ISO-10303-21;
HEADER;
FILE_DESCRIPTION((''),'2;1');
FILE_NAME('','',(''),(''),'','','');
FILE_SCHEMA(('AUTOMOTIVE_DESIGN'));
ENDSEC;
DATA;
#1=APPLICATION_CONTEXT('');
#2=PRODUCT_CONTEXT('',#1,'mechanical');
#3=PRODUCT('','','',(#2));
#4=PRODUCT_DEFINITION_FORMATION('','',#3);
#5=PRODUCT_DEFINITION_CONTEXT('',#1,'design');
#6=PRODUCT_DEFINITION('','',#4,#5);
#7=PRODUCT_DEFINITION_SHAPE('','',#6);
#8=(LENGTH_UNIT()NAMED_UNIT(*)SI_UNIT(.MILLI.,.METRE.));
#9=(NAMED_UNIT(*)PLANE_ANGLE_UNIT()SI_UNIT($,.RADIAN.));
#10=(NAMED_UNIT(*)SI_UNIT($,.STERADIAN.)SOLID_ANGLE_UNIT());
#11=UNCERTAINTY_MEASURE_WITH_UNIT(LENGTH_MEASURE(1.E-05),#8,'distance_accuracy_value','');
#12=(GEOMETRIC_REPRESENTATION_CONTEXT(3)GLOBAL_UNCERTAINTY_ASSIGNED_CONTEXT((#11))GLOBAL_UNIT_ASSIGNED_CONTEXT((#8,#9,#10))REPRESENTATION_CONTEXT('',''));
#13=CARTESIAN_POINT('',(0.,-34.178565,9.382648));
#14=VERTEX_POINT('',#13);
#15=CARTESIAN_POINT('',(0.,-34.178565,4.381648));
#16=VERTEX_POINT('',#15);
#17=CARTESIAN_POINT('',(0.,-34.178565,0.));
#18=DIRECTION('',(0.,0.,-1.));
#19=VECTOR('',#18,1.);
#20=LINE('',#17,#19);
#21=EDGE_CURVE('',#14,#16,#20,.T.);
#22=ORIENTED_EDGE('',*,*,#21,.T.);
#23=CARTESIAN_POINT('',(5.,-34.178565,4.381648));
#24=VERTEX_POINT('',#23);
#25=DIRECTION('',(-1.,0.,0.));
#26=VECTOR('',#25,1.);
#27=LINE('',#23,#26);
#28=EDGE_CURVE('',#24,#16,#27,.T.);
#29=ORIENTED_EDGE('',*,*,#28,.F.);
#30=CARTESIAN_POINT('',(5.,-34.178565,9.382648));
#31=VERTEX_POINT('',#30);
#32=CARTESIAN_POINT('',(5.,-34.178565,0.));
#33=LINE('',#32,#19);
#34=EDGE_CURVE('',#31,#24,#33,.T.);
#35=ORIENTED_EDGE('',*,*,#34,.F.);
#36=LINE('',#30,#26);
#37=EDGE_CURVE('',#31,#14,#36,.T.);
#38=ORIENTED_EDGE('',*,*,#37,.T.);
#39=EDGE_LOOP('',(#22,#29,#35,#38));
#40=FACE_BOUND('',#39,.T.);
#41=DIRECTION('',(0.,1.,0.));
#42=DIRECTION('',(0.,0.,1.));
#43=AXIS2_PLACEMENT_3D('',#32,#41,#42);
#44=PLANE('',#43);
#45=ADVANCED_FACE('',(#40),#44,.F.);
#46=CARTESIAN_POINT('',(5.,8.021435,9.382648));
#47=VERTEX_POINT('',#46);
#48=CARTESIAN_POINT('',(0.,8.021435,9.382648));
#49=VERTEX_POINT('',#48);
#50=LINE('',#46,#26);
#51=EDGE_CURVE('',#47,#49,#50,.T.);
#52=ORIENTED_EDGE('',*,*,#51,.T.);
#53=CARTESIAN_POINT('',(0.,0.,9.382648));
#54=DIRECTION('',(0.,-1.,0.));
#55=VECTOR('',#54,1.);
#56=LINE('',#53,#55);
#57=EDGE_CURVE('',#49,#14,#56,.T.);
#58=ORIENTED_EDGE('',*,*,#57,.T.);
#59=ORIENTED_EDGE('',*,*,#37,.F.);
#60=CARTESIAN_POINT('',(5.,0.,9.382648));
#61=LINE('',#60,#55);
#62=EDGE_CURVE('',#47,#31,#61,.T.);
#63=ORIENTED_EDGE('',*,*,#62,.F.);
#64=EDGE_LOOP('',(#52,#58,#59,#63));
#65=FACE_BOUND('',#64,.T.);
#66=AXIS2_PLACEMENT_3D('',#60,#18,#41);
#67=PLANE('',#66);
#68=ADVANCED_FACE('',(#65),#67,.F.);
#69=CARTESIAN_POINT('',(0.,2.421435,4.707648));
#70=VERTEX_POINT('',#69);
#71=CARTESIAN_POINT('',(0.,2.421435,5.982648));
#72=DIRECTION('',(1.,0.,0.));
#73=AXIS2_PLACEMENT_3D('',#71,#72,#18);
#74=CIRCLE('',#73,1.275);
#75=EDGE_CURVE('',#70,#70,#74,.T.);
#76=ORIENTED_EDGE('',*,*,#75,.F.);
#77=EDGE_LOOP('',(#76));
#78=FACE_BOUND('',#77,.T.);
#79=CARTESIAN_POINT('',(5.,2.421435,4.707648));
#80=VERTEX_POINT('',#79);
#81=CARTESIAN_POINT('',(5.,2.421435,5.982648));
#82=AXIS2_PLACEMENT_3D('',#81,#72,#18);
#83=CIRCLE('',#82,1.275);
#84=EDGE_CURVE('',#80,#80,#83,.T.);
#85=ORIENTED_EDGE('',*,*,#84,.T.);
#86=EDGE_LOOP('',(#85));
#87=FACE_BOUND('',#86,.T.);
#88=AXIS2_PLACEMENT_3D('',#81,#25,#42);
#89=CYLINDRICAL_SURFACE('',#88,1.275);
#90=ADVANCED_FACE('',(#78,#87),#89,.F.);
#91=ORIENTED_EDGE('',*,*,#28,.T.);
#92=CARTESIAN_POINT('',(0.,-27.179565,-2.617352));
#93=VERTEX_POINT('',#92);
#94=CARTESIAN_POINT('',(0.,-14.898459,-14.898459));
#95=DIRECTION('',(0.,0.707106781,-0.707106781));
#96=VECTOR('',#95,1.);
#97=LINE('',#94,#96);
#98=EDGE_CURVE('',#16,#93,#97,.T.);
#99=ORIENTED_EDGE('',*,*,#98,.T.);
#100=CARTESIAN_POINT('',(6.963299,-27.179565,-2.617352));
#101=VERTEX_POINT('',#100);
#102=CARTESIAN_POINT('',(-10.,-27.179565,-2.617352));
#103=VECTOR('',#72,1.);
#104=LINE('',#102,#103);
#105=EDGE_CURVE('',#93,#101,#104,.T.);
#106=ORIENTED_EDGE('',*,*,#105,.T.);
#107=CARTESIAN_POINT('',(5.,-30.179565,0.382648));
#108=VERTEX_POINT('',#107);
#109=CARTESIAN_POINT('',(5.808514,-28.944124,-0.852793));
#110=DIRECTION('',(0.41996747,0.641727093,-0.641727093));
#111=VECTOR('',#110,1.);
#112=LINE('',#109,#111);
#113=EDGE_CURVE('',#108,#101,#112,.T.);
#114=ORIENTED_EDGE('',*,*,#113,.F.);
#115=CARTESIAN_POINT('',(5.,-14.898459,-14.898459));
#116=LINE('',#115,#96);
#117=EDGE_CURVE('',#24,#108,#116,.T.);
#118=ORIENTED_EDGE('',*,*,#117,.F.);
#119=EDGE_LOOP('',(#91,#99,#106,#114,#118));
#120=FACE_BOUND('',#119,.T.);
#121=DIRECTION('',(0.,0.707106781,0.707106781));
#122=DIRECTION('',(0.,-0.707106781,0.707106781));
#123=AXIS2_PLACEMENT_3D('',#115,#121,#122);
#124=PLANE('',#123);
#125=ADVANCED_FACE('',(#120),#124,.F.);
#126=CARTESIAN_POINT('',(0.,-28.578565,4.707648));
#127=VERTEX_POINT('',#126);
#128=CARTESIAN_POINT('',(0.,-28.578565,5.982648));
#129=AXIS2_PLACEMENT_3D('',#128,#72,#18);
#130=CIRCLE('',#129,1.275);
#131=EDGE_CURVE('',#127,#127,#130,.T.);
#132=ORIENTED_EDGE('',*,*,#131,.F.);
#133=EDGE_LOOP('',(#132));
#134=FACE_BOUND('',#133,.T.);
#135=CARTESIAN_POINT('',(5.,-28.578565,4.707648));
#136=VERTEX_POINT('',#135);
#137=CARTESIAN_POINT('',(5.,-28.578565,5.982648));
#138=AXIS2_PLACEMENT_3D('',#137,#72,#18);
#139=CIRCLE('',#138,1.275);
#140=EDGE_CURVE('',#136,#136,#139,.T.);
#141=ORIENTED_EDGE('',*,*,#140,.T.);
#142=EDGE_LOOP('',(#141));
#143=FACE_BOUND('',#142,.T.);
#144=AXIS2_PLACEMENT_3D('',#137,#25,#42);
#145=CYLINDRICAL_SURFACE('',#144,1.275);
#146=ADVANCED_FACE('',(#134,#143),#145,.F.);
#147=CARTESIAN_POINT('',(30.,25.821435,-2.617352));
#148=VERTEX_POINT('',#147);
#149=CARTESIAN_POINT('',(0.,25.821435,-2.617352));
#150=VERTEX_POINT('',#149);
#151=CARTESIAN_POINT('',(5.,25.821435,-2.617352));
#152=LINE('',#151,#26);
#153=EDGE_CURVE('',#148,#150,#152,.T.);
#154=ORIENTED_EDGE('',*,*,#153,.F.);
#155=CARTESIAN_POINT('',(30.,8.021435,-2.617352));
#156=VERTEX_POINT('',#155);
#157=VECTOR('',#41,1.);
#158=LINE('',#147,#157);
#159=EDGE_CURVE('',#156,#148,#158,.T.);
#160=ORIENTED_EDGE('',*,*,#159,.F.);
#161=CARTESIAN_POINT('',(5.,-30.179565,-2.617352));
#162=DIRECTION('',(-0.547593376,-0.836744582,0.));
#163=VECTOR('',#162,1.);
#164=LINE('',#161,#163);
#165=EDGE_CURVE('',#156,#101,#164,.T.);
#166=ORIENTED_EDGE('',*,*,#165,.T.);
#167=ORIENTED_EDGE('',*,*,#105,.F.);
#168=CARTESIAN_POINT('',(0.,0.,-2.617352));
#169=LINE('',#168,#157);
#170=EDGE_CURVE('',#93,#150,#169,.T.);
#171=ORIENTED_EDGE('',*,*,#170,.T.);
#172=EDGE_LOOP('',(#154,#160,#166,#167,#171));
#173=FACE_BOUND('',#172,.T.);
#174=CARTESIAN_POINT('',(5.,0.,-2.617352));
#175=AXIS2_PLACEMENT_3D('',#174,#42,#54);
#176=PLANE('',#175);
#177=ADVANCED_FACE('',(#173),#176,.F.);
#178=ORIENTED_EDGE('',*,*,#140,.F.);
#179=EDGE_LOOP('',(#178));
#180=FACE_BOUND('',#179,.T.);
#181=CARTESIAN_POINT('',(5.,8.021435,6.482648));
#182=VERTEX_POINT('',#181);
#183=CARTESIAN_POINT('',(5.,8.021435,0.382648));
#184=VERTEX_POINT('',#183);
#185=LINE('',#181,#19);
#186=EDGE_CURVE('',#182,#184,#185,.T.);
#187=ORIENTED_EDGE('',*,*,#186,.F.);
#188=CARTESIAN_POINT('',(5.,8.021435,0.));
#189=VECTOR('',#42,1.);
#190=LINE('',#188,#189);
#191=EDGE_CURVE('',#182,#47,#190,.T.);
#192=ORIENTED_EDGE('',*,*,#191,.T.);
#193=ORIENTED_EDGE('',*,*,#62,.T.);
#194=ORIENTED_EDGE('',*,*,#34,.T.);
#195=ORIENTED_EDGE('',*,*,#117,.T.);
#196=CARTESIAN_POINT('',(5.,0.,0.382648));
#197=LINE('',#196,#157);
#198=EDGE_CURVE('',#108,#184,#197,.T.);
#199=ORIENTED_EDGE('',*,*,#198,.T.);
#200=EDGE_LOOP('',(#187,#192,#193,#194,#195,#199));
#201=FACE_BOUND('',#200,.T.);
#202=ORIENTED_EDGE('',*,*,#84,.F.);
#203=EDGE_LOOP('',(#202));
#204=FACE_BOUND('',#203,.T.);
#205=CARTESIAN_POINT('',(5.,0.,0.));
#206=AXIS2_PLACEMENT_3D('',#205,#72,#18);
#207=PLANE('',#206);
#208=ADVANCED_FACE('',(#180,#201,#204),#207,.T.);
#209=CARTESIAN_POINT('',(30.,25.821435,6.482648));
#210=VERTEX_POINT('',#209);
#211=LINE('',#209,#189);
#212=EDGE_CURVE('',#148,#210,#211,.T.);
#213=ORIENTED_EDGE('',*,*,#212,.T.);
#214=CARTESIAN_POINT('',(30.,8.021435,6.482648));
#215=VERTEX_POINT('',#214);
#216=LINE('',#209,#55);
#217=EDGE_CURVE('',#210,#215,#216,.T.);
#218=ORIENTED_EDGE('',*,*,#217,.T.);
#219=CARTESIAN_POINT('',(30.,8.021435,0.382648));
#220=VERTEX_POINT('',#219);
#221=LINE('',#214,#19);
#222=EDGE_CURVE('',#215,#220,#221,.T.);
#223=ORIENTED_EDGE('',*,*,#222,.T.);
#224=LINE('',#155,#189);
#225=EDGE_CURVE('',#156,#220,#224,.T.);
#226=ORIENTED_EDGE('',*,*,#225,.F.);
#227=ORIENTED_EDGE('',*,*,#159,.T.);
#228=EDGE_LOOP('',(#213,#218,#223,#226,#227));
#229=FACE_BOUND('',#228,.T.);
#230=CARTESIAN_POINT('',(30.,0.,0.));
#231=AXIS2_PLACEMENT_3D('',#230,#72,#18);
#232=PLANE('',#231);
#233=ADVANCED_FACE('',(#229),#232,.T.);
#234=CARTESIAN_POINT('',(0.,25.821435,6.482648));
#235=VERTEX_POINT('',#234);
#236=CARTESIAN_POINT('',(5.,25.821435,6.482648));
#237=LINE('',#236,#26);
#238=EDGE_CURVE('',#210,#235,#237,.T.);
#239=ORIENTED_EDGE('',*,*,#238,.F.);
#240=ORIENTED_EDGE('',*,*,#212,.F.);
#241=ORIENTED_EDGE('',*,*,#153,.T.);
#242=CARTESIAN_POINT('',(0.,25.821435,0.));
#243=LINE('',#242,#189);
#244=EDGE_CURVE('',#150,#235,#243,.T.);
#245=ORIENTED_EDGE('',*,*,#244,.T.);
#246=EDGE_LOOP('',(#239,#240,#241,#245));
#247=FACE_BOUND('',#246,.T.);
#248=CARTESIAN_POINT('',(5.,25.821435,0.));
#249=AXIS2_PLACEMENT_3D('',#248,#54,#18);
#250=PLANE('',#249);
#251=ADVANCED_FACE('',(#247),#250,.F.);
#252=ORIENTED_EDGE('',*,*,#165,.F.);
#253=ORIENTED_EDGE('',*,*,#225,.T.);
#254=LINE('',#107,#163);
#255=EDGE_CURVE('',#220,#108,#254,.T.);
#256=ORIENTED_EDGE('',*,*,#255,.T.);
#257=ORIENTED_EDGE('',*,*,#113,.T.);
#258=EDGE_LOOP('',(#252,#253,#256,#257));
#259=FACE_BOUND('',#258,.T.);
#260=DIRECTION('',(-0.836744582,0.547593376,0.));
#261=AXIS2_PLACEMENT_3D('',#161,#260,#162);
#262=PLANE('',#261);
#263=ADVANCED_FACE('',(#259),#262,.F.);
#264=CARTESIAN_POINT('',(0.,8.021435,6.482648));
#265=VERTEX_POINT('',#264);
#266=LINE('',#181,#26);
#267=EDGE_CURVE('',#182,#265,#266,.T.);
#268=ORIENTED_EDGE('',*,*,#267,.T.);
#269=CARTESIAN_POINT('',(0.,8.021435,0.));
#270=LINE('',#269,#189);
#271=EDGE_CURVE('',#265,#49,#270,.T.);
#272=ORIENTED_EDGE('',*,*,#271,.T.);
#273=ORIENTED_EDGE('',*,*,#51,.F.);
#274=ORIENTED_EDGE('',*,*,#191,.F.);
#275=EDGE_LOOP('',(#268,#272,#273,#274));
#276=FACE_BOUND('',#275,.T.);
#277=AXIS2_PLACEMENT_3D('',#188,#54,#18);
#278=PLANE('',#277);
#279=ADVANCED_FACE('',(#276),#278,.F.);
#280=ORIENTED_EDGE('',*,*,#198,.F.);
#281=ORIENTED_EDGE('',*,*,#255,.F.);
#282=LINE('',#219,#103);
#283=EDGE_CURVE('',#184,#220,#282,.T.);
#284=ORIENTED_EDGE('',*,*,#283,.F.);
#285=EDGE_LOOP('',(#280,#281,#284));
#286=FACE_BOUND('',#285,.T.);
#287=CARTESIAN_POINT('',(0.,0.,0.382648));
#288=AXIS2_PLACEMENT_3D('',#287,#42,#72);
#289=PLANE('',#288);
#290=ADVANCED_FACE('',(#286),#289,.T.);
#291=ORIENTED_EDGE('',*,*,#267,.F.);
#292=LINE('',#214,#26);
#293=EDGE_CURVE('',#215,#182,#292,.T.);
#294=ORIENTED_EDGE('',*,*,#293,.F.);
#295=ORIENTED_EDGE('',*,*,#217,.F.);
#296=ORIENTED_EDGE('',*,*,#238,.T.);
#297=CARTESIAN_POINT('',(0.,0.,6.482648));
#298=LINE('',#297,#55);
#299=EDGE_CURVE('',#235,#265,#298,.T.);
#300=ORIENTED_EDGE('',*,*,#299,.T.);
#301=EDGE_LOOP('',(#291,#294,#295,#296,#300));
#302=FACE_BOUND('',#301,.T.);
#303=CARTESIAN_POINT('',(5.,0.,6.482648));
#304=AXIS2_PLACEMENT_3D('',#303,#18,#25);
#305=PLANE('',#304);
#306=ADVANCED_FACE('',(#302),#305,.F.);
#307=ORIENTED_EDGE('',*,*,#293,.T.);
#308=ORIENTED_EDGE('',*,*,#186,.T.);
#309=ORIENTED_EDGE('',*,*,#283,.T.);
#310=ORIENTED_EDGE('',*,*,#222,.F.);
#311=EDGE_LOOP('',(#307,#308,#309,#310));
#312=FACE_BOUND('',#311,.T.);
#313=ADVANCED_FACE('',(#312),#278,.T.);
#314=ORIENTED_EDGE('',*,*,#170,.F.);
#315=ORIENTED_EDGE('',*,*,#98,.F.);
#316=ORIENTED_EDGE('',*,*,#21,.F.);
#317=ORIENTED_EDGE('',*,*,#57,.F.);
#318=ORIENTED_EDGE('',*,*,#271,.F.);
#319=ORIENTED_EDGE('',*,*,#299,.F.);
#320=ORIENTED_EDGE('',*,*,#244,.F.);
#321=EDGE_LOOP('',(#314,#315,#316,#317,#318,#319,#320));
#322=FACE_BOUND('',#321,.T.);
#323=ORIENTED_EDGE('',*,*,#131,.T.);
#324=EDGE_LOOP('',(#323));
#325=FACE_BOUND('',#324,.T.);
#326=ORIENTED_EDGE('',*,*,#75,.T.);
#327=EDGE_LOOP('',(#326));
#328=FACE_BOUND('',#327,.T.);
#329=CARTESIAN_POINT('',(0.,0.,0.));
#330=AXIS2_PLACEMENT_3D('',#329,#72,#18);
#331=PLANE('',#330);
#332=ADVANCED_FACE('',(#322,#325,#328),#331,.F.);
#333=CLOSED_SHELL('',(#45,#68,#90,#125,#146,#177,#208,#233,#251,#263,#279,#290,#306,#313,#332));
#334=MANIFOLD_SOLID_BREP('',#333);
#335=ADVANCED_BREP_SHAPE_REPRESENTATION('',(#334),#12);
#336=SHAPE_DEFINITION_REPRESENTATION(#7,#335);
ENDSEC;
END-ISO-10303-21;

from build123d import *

# Parameters (mm, degrees)
SKETCH1_R           = 1.275
BOSS_EXTRUDE1_DEPTH = 5
SKETCH2_W           = 9.1
SKETCH2_H           = 17.8
BOSS_EXTRUDE2_DEPTH = 25
BOSS_EXTRUDE3_DEPTH = 3
CUT_EXTRUDE1_DEPTH  = 15


with BuildPart() as part:
    # Sketch1 → Boss-Extrude1 (new body)
    # profile 1 of 2: a face of its own
    with BuildSketch(Plane(origin=(0, 0, 0), x_dir=(0, 0, -1), z_dir=(1, 0, 0))):
        Polygon((-4.381647728, -34.17856484), (-0.382647728, -30.17956484), (-0.382647728, 8.02143516), (-6.482647728, 8.02143516), (-9.382647728, 8.02143516), (-9.382647728, -34.17856484), align=None)
        with Locations((-5.982647728, 2.42143516)):
            Circle(SKETCH1_R, mode=Mode.SUBTRACT)
        with Locations((-5.982647728, -28.57856484)):
            Circle(SKETCH1_R, mode=Mode.SUBTRACT)
    # profile 2 of 2: a face of its own
    with BuildSketch(Plane(origin=(0, 0, 0), x_dir=(0, 0, -1), z_dir=(1, 0, 0))):
        Polygon((2.617352272, 8.02143516), (2.617352272, 25.82143516), (-6.482647728, 25.82143516), (-6.482647728, 8.02143516), (-0.382647728, 8.02143516), align=None)
    extrude(amount=BOSS_EXTRUDE1_DEPTH)

    # Sketch2 → Boss-Extrude2 (add)
    with BuildSketch(Plane(origin=(5, 0, 0), x_dir=(0, 0, -1), z_dir=(1, 0, 0))):
        with Locations((-1.932647728, 16.92143516)):
            Rectangle(SKETCH2_W, SKETCH2_H)
    extrude(amount=BOSS_EXTRUDE2_DEPTH)

    # Sketch3 → Boss-Extrude3 (add)
    with BuildSketch(Plane(origin=(0, 0, 0.382647728), x_dir=(-1, 0, 0), z_dir=(0, 0, -1))):
        Polygon((-30, 8.02143516), (0, 8.02143516), (0, -30.17956484), (-5, -30.17956484), align=None)
    extrude(amount=BOSS_EXTRUDE3_DEPTH)

    # Sketch4 → Cut-Extrude1 (cut, symmetric)
    with BuildSketch(Plane(origin=(5, 0, 0), x_dir=(0, 0, -1), z_dir=(1, 0, 0))):
        Polygon((-0.382647728, -30.17956484), (2.617352272, -27.17956484), (2.617352272, -30.17956484), align=None)
    extrude(amount=CUT_EXTRUDE1_DEPTH, both=True, mode=Mode.SUBTRACT)


solid = part.part
